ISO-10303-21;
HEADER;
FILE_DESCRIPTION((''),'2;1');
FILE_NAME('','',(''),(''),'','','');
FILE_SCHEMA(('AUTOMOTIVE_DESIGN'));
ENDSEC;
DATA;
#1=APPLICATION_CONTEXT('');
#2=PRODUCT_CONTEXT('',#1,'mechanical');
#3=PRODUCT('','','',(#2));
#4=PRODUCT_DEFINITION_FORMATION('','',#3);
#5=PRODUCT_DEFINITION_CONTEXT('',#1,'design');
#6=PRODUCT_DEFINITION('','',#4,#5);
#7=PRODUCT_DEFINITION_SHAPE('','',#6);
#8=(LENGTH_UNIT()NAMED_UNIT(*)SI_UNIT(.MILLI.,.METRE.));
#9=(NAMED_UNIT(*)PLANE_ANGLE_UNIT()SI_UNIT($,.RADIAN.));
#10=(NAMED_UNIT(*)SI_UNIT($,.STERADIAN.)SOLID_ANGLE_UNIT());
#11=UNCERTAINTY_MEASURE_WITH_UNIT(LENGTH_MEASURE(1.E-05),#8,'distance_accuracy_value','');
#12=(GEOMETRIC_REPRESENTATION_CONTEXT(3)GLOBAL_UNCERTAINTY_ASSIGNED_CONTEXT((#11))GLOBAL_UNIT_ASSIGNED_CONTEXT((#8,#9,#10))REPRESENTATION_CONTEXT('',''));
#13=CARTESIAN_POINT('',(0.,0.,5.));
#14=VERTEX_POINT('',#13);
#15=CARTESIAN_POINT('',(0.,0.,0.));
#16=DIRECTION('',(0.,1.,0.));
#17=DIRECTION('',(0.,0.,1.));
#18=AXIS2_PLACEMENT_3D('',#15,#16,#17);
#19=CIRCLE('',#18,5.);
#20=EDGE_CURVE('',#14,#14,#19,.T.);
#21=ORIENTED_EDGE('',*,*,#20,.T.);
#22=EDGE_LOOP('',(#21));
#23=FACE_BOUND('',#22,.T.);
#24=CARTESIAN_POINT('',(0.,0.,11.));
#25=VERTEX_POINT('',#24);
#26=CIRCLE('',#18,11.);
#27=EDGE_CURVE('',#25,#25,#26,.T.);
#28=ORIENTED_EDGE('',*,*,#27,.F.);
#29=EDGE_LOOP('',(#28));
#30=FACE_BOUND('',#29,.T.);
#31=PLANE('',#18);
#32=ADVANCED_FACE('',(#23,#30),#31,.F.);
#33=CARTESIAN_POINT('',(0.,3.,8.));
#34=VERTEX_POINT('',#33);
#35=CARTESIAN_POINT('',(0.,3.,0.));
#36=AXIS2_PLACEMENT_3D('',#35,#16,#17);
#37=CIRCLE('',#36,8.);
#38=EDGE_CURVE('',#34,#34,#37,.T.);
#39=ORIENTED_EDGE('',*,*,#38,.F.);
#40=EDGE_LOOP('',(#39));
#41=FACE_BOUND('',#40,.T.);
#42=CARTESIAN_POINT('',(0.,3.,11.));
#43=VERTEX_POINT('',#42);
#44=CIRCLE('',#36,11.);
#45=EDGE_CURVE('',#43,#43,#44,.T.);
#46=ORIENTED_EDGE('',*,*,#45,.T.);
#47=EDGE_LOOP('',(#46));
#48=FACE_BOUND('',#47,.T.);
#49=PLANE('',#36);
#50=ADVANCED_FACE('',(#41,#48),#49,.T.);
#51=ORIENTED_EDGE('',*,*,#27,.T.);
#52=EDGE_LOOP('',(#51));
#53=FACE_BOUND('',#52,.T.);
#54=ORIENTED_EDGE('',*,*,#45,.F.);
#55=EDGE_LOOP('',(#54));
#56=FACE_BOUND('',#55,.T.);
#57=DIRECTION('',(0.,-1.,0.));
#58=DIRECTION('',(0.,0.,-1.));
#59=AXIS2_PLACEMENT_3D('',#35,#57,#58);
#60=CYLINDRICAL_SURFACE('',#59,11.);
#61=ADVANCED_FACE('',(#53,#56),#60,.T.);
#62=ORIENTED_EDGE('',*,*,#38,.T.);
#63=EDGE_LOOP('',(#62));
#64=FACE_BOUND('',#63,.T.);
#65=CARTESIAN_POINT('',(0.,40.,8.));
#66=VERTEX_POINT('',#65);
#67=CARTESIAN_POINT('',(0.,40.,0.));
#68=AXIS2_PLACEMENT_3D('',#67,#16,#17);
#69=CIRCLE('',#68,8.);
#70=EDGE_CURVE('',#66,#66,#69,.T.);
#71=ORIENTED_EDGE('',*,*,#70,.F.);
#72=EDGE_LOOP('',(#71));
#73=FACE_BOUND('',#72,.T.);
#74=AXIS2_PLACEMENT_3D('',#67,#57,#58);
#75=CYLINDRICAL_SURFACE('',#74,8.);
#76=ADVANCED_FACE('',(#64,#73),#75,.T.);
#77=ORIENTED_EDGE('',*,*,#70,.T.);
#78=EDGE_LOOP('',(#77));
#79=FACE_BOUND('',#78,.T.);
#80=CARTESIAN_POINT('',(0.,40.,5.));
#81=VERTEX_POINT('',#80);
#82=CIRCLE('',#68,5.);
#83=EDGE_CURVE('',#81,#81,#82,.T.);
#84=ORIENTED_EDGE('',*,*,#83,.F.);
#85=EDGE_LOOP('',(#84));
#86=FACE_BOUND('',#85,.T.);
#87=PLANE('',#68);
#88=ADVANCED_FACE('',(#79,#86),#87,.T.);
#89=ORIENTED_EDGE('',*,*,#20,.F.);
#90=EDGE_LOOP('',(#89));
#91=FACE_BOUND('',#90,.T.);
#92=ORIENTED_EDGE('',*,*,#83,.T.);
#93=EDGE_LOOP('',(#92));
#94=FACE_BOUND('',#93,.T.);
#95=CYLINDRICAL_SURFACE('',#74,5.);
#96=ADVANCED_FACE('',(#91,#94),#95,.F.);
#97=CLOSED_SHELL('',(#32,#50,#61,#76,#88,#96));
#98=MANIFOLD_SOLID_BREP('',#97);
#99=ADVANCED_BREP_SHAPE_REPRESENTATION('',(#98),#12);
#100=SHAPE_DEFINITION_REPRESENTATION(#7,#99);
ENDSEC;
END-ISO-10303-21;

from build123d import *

# Parameters (mm, degrees)
SKETCH1_R           = 8
SKETCH1_R_2         = 5
BOSS_EXTRUDE2_DEPTH = 40
SKETCH4_R           = 11
SKETCH4_R_2         = 8
BOSS_EXTRUDE4_DEPTH = 3


with BuildPart() as part:
    # Sketch1 → Boss-Extrude2 (new body)
    with BuildSketch(Plane(origin=(0, 0, 0), x_dir=(1, 0, 0), z_dir=(0, 1, 0))):
        with Locations(Location((0, 0, 0), (0, 0, 270))):
            Circle(SKETCH1_R)
        with Locations(Location((0, 0, 0), (0, 0, 270))):
            Circle(SKETCH1_R_2, mode=Mode.SUBTRACT)
    extrude(amount=BOSS_EXTRUDE2_DEPTH)

    # Sketch4 → Boss-Extrude4 (add)
    with BuildSketch(Plane(origin=(0, 0, 0), x_dir=(1, 0, 0), z_dir=(0, 1, 0))):
        with Locations(Location((0, 0, 0), (0, 0, 270))):
            Circle(SKETCH4_R)
        with Locations(Location((0, 0, 0), (0, 0, 270))):
            Circle(SKETCH4_R_2, mode=Mode.SUBTRACT)
    extrude(amount=BOSS_EXTRUDE4_DEPTH)


solid = part.part
